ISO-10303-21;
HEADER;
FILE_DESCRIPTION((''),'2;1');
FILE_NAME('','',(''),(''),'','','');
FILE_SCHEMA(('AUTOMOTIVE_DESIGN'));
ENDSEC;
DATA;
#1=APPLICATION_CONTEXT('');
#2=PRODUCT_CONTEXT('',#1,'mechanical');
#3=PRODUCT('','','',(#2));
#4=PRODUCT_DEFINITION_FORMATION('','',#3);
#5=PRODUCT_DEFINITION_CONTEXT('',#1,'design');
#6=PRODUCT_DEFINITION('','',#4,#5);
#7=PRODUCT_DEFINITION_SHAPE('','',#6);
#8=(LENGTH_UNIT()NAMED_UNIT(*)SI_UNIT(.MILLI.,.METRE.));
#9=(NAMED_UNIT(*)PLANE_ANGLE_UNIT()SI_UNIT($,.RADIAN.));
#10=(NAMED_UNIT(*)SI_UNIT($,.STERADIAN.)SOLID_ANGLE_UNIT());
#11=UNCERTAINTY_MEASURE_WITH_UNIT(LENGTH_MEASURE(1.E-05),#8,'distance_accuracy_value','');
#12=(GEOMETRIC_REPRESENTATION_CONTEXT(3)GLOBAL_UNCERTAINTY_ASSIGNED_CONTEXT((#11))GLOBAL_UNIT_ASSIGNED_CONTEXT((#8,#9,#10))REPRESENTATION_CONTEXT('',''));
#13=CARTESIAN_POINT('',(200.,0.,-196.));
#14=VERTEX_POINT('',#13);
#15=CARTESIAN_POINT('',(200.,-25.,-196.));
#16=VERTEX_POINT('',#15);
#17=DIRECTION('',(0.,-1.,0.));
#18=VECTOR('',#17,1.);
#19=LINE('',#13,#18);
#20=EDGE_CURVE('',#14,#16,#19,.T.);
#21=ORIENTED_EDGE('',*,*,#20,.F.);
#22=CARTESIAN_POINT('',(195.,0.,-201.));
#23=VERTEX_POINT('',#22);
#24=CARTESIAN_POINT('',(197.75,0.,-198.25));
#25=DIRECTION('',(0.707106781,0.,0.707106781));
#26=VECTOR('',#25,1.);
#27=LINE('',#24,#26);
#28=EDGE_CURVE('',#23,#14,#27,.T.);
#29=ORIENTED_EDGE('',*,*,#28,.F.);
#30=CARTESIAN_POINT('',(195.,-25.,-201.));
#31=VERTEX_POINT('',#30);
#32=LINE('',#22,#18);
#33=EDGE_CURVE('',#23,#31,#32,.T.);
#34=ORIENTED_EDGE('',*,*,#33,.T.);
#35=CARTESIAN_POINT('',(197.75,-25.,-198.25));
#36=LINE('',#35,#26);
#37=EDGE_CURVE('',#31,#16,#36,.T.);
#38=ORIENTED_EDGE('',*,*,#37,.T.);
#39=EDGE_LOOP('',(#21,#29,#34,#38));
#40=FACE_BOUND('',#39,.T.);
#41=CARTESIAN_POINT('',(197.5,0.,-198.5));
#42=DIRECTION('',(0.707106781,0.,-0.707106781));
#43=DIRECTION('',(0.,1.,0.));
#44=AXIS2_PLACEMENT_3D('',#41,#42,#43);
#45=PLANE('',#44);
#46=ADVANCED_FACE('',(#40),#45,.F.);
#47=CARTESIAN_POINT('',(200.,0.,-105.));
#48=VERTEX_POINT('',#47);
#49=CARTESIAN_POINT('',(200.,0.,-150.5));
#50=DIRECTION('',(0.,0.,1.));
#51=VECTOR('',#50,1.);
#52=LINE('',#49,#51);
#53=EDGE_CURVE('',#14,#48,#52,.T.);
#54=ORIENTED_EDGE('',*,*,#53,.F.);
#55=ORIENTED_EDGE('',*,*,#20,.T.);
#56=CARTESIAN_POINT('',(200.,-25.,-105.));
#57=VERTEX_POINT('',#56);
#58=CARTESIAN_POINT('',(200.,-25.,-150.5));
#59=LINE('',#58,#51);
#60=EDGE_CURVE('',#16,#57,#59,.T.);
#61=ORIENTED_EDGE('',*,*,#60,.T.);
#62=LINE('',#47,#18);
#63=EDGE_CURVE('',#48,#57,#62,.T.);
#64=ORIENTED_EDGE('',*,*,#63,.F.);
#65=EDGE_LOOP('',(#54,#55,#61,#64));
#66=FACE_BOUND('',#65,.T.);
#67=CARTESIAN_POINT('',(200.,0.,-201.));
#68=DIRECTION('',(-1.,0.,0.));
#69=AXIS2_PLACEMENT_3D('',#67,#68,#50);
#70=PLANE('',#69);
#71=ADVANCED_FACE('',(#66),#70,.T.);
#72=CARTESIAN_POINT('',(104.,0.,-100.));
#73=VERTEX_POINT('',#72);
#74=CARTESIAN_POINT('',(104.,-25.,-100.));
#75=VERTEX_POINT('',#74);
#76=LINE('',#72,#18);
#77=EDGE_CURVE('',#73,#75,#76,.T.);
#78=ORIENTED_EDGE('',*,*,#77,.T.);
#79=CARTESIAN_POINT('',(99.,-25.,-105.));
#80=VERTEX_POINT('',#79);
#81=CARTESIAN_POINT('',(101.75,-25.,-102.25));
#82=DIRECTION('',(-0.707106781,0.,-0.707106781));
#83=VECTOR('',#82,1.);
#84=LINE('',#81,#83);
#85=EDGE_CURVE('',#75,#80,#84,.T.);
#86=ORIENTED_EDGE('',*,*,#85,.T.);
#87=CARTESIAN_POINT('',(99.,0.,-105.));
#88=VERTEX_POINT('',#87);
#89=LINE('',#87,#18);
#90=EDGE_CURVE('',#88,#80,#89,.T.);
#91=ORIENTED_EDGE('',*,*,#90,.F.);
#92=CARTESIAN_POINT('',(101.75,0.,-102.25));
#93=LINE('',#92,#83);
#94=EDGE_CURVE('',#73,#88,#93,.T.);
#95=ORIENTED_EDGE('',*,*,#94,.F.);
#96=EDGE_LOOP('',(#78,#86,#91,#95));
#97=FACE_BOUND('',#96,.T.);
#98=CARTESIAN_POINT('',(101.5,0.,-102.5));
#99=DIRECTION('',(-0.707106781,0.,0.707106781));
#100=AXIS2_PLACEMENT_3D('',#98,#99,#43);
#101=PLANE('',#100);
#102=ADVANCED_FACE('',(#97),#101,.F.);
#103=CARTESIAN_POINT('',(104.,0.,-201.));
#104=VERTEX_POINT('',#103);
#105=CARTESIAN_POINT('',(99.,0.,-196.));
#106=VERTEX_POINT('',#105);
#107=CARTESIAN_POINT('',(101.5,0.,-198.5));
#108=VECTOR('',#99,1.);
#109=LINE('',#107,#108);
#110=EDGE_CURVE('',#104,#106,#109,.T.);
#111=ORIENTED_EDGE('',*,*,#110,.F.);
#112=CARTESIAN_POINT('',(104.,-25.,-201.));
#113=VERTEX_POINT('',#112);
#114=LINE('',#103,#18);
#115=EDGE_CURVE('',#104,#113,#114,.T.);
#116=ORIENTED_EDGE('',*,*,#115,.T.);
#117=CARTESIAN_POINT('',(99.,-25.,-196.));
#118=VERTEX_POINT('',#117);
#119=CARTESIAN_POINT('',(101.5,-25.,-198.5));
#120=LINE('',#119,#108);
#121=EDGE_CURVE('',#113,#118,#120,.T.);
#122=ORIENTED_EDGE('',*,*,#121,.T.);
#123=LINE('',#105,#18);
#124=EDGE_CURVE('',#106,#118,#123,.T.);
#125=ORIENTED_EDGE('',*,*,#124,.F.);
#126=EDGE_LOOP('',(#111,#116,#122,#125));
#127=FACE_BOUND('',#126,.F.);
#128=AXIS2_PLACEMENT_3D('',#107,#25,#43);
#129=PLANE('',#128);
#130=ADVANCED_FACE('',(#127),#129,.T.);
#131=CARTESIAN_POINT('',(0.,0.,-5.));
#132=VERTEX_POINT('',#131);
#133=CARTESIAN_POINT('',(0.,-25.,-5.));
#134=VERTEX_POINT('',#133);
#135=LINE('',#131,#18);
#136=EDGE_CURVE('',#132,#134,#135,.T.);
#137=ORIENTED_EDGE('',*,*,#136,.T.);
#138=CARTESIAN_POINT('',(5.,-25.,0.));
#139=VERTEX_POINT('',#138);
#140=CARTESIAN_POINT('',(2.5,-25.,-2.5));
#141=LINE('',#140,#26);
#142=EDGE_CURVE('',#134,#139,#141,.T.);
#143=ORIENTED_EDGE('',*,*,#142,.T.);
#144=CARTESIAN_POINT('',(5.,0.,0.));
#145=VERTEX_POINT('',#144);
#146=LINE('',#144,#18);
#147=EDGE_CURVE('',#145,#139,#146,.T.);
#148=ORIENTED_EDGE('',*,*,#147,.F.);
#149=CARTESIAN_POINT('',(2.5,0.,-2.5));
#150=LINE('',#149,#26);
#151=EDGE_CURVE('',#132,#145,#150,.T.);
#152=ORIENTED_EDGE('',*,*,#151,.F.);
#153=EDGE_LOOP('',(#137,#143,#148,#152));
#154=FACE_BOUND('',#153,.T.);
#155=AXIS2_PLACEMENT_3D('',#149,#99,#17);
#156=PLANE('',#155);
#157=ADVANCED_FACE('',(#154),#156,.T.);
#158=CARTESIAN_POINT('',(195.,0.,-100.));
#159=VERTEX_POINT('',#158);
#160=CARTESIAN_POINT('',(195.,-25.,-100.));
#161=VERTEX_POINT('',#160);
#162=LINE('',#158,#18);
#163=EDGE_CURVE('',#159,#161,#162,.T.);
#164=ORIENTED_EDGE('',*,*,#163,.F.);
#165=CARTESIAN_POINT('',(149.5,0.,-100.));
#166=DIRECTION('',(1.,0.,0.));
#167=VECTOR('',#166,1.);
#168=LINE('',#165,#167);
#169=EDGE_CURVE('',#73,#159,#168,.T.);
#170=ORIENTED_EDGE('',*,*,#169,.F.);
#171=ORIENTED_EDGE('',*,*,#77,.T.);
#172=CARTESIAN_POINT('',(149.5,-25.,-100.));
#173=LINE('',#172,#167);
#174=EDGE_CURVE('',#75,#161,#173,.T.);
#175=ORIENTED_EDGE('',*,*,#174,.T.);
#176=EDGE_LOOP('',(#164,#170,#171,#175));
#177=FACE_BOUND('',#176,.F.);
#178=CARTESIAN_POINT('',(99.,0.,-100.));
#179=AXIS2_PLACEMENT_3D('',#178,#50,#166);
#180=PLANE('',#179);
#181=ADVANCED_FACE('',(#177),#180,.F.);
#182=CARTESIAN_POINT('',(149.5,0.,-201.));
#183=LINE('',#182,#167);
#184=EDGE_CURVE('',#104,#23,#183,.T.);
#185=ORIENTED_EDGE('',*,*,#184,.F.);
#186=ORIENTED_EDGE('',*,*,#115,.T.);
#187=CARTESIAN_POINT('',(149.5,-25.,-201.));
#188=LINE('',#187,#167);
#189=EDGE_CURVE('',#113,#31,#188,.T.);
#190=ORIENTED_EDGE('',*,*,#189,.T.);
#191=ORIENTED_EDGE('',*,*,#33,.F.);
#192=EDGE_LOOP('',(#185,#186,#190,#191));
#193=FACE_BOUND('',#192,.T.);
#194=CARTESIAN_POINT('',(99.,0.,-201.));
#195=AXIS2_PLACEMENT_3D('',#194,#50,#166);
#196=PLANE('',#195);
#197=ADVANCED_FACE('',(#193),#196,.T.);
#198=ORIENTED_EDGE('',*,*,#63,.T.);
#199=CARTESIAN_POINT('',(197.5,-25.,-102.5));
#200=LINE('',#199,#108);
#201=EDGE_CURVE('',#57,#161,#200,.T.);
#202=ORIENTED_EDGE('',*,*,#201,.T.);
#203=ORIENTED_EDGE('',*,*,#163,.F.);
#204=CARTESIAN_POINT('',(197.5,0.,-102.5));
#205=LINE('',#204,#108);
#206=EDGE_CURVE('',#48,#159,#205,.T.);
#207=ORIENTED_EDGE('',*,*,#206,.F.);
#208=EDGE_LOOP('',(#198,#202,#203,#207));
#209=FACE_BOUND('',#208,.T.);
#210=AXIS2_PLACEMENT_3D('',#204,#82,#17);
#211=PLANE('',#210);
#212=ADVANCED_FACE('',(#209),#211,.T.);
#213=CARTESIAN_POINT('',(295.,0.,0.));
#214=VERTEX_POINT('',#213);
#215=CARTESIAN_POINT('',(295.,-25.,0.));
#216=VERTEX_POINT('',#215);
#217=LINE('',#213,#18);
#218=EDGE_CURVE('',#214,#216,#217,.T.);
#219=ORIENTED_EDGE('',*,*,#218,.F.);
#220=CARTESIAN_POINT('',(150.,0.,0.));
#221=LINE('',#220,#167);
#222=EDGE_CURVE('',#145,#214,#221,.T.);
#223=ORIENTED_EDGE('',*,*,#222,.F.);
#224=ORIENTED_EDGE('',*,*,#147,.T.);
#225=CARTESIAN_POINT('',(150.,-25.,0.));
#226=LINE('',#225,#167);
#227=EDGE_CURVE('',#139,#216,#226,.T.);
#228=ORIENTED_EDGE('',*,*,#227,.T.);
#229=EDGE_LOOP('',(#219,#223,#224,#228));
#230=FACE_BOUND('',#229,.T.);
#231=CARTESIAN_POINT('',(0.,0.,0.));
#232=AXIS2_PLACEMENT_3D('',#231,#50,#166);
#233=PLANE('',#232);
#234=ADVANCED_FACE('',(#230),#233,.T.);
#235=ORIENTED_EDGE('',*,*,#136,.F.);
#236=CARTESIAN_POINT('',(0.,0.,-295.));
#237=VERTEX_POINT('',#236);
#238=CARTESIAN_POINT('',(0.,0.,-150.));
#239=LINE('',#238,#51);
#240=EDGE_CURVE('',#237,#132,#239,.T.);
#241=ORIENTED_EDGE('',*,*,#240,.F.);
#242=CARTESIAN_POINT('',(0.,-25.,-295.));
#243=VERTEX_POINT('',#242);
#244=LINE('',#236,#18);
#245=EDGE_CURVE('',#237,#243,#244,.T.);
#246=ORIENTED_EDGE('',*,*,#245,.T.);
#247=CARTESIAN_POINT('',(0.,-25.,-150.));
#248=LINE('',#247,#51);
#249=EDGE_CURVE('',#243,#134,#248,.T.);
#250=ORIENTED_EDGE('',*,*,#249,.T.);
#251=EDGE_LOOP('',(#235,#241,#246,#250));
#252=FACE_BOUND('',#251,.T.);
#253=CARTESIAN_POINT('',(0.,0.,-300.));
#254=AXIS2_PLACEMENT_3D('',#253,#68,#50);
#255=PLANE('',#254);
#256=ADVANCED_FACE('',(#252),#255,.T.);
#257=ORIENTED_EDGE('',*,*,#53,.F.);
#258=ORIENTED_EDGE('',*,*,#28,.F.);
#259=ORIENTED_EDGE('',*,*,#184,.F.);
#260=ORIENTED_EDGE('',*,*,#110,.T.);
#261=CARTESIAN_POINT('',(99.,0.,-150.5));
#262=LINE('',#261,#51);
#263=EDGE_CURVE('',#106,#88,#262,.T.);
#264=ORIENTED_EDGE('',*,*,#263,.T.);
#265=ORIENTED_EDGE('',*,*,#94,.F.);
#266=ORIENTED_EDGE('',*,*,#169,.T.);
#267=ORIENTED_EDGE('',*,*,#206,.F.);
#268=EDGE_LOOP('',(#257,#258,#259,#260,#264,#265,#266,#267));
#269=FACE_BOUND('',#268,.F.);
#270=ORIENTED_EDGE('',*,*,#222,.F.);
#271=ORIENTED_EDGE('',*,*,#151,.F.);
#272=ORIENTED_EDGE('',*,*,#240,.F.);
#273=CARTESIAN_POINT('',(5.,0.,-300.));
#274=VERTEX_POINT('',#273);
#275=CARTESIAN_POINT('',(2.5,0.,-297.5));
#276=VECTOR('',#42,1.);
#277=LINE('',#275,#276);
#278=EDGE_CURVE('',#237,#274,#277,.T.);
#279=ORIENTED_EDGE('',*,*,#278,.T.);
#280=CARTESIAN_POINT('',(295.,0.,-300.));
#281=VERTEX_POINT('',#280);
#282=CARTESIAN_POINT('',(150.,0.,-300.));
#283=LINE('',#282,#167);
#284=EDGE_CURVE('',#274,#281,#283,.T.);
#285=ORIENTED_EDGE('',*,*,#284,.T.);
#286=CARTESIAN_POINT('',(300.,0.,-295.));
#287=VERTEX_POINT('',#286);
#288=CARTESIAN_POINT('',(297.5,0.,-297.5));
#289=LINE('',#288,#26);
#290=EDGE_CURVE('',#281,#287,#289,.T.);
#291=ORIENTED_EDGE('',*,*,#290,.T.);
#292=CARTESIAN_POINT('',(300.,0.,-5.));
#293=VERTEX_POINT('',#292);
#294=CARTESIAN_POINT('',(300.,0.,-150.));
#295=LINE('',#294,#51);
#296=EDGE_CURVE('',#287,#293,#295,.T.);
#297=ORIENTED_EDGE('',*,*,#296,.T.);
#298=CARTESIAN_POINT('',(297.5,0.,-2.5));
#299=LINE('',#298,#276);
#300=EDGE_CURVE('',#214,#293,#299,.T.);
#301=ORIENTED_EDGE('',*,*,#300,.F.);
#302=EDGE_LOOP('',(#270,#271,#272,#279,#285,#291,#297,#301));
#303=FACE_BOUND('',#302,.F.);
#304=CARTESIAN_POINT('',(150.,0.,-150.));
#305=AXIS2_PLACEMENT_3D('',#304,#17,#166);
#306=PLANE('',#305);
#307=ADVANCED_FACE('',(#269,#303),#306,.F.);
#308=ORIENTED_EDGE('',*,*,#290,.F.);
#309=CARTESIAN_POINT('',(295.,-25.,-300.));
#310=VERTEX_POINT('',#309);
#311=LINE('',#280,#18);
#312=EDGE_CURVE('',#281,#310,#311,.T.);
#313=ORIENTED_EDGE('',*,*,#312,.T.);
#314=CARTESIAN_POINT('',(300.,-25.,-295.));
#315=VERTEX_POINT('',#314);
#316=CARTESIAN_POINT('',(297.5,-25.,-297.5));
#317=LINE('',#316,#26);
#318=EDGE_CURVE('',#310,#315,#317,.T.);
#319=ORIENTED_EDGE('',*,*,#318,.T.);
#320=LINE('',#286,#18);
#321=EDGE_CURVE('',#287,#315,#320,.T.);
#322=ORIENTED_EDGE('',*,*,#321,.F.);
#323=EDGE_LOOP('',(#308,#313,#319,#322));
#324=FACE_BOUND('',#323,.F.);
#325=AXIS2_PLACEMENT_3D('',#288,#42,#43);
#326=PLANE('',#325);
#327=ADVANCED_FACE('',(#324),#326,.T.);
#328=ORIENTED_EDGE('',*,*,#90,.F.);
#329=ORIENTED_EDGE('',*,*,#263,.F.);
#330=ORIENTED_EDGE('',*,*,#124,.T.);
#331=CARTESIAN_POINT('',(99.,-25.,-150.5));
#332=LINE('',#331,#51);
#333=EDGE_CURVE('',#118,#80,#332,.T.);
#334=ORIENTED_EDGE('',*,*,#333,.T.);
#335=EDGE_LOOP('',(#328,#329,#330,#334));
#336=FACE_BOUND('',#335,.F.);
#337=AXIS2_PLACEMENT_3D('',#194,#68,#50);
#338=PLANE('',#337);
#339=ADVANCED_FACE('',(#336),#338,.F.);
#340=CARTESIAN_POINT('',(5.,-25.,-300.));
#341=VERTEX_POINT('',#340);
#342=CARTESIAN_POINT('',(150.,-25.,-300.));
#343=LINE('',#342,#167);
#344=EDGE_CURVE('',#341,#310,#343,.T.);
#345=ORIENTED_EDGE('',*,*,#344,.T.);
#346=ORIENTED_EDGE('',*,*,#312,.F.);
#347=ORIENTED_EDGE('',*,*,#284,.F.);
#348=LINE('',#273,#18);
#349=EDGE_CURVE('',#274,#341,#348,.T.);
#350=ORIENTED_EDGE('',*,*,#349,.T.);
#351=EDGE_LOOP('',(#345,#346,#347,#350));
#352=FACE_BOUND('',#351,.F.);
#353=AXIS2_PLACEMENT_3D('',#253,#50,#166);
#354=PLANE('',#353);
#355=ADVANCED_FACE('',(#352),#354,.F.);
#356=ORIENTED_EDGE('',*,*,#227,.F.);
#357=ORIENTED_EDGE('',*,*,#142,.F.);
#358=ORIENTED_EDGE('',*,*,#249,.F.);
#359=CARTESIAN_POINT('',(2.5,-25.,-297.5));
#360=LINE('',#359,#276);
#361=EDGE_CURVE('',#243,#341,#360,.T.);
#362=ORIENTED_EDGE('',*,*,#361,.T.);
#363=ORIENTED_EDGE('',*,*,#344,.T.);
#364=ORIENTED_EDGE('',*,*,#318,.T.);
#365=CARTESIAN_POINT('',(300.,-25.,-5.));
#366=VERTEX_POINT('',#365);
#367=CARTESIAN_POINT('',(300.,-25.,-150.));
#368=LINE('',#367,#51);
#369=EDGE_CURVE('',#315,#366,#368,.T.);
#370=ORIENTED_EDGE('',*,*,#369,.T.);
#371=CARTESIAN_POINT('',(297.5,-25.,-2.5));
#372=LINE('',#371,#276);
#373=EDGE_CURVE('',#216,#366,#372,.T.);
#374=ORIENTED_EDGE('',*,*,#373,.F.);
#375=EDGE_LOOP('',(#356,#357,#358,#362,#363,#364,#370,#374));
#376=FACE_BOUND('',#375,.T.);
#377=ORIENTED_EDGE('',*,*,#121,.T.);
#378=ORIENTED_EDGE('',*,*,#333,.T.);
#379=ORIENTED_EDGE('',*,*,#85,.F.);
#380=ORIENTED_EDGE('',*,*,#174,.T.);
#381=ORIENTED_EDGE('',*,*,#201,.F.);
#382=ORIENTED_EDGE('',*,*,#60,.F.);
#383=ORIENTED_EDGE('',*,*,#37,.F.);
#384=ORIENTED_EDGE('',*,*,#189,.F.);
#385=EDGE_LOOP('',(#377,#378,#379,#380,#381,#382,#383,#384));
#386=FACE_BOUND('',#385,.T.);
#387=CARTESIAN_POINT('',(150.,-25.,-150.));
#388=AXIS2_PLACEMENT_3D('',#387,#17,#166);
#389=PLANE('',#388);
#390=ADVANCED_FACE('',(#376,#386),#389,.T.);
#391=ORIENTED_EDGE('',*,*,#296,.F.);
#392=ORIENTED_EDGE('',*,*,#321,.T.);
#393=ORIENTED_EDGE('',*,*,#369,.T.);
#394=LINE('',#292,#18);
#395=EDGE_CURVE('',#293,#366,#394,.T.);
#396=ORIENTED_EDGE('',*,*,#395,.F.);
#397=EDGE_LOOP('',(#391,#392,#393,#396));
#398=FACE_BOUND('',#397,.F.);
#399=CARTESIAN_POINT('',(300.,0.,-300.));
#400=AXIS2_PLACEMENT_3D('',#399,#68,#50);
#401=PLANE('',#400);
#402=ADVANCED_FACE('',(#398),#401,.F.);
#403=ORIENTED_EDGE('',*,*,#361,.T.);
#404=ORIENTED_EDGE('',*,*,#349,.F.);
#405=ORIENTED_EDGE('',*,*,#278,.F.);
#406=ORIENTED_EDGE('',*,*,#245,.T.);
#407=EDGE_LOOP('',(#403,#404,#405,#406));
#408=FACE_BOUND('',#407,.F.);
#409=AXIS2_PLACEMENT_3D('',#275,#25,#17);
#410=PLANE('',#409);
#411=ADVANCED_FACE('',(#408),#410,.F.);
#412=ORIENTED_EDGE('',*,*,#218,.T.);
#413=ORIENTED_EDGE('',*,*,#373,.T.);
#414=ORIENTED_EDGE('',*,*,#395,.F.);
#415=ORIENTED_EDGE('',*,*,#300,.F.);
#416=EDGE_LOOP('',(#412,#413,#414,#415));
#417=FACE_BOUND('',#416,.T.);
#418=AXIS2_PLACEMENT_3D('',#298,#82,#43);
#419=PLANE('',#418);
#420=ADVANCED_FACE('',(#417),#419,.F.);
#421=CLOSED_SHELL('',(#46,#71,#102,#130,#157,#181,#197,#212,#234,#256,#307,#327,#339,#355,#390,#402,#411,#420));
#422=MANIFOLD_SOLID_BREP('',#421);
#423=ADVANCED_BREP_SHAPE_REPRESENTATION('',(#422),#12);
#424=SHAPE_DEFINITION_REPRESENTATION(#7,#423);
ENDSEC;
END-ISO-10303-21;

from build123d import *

# Parameters (mm, degrees)
F0_W     = 300
F0_H     = 300
F0_W_2   = 101
F0_H_2   = 101
F1_DEPTH = 25
F2_SIZE  = 5


with BuildPart() as f1:
    # F0 (on Front) → F1 (new body)
    with BuildSketch(Plane.XZ):
        with Locations((150, -150)):
            Rectangle(F0_W, F0_H)
        with Locations((149.5, -150.5)):
            Rectangle(F0_W_2, F0_H_2, mode=Mode.SUBTRACT)
    extrude(amount=F1_DEPTH)

    # F2
    f2_edges = [f1.edges().sort_by_distance(p)[0] for p in [
        (0, -12.5, -300),
        (300, -12.5, -300),
        (300, -12.5, 0),
        (0, -12.5, 0),
        (200, -12.5, -201),
        (200, -12.5, -100),
        (99, -12.5, -100),
        (99, -12.5, -201),
    ]]
    chamfer(f2_edges, length=F2_SIZE)


solid = f1.part
